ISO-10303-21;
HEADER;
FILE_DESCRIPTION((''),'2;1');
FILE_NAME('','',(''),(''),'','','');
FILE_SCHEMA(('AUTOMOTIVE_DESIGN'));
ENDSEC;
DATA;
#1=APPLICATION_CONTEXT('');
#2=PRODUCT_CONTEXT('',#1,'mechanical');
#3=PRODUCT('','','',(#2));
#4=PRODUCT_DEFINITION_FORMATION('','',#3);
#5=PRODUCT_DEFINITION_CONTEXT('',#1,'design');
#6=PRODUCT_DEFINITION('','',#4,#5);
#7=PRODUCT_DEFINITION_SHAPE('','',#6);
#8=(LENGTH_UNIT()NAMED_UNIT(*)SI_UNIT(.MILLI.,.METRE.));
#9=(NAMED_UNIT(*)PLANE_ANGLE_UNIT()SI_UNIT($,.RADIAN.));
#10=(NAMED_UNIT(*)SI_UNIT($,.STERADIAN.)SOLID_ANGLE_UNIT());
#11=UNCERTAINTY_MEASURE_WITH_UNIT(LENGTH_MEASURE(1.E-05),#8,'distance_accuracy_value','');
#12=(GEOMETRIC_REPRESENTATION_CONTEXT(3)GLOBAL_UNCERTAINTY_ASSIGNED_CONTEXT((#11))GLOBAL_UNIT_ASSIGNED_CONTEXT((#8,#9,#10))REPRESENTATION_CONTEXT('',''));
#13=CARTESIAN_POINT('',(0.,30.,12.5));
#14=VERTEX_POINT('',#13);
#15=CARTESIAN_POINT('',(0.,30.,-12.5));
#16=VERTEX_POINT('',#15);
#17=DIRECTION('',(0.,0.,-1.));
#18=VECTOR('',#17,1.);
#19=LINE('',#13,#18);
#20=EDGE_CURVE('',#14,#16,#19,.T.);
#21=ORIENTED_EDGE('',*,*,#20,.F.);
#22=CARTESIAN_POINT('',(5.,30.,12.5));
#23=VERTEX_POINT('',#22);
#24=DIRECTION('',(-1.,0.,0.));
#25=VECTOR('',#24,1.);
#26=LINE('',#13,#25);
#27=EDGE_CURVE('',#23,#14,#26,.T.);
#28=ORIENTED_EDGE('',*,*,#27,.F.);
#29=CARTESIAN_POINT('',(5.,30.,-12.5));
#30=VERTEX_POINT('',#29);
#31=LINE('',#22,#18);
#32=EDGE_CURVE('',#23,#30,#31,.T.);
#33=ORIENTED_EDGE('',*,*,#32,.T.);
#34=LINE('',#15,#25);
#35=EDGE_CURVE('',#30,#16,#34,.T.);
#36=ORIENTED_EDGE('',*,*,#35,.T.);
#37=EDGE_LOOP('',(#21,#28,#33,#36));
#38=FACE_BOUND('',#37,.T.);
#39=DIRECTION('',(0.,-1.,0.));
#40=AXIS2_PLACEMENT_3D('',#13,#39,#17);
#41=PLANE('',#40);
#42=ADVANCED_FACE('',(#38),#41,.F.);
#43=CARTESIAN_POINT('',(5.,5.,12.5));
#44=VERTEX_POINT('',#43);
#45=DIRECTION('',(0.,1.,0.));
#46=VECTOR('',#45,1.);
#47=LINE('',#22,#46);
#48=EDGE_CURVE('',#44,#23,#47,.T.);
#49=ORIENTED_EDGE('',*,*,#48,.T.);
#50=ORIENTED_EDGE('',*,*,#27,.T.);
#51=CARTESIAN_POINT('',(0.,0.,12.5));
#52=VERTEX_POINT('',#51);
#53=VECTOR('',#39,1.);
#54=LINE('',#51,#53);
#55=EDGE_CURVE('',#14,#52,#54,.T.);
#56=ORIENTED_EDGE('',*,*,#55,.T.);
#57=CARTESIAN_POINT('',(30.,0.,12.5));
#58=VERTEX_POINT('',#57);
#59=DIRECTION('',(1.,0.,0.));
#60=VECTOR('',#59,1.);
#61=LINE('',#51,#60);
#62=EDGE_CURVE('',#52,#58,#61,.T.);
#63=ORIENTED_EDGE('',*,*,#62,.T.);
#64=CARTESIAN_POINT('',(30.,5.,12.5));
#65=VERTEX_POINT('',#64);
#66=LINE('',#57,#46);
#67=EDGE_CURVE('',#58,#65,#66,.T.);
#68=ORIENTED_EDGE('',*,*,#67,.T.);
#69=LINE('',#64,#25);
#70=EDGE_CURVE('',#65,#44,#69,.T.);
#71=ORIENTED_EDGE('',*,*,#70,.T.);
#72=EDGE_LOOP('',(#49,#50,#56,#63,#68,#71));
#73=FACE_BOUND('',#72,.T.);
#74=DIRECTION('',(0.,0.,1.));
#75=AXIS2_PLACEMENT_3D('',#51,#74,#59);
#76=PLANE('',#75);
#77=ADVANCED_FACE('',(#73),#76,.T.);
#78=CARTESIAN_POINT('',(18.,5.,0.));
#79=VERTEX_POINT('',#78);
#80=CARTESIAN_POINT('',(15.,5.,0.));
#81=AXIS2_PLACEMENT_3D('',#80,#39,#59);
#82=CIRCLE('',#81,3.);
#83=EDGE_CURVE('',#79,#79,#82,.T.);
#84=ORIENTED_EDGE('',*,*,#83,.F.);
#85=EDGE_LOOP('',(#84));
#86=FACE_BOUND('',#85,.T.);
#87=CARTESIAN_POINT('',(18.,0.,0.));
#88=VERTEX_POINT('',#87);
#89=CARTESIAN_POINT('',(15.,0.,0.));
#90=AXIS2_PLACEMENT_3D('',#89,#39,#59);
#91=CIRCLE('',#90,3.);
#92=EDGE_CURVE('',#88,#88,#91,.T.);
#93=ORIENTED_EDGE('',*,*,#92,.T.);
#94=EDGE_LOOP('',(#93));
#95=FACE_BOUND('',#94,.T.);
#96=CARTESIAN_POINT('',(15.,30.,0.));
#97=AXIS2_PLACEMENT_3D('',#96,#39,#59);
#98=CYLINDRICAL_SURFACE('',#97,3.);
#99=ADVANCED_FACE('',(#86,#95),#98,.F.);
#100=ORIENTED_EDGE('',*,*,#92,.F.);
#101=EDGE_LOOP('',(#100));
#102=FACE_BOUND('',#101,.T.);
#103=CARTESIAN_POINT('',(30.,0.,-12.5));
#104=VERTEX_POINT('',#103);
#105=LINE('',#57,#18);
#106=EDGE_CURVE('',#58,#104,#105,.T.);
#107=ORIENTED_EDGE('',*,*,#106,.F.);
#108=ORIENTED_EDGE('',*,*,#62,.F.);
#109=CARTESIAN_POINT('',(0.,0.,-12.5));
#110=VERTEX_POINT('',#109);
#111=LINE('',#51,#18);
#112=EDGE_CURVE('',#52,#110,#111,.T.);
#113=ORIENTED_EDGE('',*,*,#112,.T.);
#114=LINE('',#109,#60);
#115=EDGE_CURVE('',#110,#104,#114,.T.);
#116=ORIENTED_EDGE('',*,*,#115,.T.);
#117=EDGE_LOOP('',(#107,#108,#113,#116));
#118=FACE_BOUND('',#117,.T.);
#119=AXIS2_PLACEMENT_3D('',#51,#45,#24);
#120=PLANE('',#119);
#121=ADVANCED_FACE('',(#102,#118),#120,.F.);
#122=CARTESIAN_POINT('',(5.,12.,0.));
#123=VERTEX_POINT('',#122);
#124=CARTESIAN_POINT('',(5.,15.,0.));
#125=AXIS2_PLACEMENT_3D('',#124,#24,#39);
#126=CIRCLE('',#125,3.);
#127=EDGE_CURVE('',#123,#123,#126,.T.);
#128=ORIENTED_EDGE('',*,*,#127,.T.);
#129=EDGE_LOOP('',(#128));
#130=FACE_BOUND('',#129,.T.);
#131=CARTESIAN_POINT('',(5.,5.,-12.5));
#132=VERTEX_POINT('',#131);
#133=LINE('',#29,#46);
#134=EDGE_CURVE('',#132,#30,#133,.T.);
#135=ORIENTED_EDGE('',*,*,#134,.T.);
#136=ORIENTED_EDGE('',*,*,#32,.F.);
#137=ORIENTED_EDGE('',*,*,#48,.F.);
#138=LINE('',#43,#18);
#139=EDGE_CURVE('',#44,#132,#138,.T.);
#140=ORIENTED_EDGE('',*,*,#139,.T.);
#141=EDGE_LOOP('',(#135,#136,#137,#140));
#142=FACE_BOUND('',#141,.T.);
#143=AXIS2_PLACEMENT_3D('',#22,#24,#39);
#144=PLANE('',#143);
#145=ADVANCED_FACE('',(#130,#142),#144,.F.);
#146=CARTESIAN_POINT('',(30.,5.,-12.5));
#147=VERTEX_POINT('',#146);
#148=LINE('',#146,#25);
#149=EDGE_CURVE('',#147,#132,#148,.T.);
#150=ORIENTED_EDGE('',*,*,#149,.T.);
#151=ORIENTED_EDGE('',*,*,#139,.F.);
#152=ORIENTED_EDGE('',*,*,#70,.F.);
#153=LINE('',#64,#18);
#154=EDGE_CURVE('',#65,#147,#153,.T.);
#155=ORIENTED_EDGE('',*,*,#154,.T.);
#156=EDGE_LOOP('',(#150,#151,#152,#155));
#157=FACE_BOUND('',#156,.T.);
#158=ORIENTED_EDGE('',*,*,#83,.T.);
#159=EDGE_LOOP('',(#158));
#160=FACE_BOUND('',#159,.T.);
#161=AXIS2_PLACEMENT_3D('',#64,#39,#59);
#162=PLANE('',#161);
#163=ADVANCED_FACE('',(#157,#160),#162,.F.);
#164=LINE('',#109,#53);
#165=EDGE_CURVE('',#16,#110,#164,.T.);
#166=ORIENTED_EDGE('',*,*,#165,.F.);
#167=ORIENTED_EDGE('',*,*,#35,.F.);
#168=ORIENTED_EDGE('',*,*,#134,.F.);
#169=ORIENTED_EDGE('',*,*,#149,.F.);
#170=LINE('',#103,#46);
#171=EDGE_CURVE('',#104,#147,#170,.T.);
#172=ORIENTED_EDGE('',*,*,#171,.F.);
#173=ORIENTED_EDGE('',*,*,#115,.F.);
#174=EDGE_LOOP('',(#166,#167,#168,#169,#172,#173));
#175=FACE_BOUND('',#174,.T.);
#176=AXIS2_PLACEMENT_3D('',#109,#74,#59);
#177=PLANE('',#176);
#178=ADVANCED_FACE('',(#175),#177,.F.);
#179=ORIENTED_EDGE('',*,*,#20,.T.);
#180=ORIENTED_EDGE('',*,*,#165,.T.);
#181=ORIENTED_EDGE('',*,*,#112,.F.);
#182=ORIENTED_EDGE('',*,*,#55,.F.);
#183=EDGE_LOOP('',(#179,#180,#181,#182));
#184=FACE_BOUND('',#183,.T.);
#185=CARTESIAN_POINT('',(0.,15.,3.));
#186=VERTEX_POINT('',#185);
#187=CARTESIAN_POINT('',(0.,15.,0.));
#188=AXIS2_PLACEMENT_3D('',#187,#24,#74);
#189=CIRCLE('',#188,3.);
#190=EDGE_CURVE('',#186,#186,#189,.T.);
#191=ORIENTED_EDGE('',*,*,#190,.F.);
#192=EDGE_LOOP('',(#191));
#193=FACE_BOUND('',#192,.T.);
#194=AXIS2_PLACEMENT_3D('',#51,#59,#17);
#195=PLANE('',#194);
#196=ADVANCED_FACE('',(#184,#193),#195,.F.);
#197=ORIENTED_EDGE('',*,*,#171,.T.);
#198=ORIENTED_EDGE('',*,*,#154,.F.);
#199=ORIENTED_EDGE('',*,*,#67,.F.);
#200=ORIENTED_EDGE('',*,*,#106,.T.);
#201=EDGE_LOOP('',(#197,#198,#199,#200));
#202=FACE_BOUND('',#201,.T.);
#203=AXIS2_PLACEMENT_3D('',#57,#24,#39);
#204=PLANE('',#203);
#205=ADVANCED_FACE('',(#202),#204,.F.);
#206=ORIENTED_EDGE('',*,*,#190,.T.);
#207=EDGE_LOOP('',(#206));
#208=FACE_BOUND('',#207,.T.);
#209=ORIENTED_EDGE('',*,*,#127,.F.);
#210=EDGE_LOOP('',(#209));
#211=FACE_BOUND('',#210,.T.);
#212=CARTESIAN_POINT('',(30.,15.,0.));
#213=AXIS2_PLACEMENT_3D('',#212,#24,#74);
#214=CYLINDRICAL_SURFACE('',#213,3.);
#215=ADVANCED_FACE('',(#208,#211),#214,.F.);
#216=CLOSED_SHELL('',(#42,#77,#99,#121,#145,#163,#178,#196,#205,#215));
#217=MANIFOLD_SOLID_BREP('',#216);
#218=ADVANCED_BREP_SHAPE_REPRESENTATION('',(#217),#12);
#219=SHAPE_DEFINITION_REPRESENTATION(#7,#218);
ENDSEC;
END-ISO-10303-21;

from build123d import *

# Parameters (mm, degrees)
BOSS_EXTRUDE1_DEPTH = 12.5
SKETCH2_R           = 3
CUT_EXTRUDE1_DEPTH  = 45.229515032
SKETCH3_R           = 3
CUT_EXTRUDE2_DEPTH  = 45.229515032


with BuildPart() as part:
    # Sketch1 → Boss-Extrude1 (new, symmetric)
    with BuildSketch(Plane.XY):
        Polygon((0, 0), (0, 30), (5, 30), (5, 5), (30, 5), (30, 0), align=None)
    extrude(amount=BOSS_EXTRUDE1_DEPTH, both=True)

    # Sketch2 → Cut-Extrude1 (cut, through all)
    with BuildSketch(Plane.ZY):
        with Locations((0, 15)):
            Circle(SKETCH2_R)
    extrude(amount=-CUT_EXTRUDE1_DEPTH, mode=Mode.SUBTRACT)

    # Sketch3 → Cut-Extrude2 (cut, through all)
    with BuildSketch(Plane(origin=(0, 0, 0), x_dir=(0, 0, 1), z_dir=(0, -1, 0))):
        with Locations(Location((0, -15, 0), (0, 0, 270))):
            Circle(SKETCH3_R)
    extrude(amount=-CUT_EXTRUDE2_DEPTH, mode=Mode.SUBTRACT)


solid = part.part
